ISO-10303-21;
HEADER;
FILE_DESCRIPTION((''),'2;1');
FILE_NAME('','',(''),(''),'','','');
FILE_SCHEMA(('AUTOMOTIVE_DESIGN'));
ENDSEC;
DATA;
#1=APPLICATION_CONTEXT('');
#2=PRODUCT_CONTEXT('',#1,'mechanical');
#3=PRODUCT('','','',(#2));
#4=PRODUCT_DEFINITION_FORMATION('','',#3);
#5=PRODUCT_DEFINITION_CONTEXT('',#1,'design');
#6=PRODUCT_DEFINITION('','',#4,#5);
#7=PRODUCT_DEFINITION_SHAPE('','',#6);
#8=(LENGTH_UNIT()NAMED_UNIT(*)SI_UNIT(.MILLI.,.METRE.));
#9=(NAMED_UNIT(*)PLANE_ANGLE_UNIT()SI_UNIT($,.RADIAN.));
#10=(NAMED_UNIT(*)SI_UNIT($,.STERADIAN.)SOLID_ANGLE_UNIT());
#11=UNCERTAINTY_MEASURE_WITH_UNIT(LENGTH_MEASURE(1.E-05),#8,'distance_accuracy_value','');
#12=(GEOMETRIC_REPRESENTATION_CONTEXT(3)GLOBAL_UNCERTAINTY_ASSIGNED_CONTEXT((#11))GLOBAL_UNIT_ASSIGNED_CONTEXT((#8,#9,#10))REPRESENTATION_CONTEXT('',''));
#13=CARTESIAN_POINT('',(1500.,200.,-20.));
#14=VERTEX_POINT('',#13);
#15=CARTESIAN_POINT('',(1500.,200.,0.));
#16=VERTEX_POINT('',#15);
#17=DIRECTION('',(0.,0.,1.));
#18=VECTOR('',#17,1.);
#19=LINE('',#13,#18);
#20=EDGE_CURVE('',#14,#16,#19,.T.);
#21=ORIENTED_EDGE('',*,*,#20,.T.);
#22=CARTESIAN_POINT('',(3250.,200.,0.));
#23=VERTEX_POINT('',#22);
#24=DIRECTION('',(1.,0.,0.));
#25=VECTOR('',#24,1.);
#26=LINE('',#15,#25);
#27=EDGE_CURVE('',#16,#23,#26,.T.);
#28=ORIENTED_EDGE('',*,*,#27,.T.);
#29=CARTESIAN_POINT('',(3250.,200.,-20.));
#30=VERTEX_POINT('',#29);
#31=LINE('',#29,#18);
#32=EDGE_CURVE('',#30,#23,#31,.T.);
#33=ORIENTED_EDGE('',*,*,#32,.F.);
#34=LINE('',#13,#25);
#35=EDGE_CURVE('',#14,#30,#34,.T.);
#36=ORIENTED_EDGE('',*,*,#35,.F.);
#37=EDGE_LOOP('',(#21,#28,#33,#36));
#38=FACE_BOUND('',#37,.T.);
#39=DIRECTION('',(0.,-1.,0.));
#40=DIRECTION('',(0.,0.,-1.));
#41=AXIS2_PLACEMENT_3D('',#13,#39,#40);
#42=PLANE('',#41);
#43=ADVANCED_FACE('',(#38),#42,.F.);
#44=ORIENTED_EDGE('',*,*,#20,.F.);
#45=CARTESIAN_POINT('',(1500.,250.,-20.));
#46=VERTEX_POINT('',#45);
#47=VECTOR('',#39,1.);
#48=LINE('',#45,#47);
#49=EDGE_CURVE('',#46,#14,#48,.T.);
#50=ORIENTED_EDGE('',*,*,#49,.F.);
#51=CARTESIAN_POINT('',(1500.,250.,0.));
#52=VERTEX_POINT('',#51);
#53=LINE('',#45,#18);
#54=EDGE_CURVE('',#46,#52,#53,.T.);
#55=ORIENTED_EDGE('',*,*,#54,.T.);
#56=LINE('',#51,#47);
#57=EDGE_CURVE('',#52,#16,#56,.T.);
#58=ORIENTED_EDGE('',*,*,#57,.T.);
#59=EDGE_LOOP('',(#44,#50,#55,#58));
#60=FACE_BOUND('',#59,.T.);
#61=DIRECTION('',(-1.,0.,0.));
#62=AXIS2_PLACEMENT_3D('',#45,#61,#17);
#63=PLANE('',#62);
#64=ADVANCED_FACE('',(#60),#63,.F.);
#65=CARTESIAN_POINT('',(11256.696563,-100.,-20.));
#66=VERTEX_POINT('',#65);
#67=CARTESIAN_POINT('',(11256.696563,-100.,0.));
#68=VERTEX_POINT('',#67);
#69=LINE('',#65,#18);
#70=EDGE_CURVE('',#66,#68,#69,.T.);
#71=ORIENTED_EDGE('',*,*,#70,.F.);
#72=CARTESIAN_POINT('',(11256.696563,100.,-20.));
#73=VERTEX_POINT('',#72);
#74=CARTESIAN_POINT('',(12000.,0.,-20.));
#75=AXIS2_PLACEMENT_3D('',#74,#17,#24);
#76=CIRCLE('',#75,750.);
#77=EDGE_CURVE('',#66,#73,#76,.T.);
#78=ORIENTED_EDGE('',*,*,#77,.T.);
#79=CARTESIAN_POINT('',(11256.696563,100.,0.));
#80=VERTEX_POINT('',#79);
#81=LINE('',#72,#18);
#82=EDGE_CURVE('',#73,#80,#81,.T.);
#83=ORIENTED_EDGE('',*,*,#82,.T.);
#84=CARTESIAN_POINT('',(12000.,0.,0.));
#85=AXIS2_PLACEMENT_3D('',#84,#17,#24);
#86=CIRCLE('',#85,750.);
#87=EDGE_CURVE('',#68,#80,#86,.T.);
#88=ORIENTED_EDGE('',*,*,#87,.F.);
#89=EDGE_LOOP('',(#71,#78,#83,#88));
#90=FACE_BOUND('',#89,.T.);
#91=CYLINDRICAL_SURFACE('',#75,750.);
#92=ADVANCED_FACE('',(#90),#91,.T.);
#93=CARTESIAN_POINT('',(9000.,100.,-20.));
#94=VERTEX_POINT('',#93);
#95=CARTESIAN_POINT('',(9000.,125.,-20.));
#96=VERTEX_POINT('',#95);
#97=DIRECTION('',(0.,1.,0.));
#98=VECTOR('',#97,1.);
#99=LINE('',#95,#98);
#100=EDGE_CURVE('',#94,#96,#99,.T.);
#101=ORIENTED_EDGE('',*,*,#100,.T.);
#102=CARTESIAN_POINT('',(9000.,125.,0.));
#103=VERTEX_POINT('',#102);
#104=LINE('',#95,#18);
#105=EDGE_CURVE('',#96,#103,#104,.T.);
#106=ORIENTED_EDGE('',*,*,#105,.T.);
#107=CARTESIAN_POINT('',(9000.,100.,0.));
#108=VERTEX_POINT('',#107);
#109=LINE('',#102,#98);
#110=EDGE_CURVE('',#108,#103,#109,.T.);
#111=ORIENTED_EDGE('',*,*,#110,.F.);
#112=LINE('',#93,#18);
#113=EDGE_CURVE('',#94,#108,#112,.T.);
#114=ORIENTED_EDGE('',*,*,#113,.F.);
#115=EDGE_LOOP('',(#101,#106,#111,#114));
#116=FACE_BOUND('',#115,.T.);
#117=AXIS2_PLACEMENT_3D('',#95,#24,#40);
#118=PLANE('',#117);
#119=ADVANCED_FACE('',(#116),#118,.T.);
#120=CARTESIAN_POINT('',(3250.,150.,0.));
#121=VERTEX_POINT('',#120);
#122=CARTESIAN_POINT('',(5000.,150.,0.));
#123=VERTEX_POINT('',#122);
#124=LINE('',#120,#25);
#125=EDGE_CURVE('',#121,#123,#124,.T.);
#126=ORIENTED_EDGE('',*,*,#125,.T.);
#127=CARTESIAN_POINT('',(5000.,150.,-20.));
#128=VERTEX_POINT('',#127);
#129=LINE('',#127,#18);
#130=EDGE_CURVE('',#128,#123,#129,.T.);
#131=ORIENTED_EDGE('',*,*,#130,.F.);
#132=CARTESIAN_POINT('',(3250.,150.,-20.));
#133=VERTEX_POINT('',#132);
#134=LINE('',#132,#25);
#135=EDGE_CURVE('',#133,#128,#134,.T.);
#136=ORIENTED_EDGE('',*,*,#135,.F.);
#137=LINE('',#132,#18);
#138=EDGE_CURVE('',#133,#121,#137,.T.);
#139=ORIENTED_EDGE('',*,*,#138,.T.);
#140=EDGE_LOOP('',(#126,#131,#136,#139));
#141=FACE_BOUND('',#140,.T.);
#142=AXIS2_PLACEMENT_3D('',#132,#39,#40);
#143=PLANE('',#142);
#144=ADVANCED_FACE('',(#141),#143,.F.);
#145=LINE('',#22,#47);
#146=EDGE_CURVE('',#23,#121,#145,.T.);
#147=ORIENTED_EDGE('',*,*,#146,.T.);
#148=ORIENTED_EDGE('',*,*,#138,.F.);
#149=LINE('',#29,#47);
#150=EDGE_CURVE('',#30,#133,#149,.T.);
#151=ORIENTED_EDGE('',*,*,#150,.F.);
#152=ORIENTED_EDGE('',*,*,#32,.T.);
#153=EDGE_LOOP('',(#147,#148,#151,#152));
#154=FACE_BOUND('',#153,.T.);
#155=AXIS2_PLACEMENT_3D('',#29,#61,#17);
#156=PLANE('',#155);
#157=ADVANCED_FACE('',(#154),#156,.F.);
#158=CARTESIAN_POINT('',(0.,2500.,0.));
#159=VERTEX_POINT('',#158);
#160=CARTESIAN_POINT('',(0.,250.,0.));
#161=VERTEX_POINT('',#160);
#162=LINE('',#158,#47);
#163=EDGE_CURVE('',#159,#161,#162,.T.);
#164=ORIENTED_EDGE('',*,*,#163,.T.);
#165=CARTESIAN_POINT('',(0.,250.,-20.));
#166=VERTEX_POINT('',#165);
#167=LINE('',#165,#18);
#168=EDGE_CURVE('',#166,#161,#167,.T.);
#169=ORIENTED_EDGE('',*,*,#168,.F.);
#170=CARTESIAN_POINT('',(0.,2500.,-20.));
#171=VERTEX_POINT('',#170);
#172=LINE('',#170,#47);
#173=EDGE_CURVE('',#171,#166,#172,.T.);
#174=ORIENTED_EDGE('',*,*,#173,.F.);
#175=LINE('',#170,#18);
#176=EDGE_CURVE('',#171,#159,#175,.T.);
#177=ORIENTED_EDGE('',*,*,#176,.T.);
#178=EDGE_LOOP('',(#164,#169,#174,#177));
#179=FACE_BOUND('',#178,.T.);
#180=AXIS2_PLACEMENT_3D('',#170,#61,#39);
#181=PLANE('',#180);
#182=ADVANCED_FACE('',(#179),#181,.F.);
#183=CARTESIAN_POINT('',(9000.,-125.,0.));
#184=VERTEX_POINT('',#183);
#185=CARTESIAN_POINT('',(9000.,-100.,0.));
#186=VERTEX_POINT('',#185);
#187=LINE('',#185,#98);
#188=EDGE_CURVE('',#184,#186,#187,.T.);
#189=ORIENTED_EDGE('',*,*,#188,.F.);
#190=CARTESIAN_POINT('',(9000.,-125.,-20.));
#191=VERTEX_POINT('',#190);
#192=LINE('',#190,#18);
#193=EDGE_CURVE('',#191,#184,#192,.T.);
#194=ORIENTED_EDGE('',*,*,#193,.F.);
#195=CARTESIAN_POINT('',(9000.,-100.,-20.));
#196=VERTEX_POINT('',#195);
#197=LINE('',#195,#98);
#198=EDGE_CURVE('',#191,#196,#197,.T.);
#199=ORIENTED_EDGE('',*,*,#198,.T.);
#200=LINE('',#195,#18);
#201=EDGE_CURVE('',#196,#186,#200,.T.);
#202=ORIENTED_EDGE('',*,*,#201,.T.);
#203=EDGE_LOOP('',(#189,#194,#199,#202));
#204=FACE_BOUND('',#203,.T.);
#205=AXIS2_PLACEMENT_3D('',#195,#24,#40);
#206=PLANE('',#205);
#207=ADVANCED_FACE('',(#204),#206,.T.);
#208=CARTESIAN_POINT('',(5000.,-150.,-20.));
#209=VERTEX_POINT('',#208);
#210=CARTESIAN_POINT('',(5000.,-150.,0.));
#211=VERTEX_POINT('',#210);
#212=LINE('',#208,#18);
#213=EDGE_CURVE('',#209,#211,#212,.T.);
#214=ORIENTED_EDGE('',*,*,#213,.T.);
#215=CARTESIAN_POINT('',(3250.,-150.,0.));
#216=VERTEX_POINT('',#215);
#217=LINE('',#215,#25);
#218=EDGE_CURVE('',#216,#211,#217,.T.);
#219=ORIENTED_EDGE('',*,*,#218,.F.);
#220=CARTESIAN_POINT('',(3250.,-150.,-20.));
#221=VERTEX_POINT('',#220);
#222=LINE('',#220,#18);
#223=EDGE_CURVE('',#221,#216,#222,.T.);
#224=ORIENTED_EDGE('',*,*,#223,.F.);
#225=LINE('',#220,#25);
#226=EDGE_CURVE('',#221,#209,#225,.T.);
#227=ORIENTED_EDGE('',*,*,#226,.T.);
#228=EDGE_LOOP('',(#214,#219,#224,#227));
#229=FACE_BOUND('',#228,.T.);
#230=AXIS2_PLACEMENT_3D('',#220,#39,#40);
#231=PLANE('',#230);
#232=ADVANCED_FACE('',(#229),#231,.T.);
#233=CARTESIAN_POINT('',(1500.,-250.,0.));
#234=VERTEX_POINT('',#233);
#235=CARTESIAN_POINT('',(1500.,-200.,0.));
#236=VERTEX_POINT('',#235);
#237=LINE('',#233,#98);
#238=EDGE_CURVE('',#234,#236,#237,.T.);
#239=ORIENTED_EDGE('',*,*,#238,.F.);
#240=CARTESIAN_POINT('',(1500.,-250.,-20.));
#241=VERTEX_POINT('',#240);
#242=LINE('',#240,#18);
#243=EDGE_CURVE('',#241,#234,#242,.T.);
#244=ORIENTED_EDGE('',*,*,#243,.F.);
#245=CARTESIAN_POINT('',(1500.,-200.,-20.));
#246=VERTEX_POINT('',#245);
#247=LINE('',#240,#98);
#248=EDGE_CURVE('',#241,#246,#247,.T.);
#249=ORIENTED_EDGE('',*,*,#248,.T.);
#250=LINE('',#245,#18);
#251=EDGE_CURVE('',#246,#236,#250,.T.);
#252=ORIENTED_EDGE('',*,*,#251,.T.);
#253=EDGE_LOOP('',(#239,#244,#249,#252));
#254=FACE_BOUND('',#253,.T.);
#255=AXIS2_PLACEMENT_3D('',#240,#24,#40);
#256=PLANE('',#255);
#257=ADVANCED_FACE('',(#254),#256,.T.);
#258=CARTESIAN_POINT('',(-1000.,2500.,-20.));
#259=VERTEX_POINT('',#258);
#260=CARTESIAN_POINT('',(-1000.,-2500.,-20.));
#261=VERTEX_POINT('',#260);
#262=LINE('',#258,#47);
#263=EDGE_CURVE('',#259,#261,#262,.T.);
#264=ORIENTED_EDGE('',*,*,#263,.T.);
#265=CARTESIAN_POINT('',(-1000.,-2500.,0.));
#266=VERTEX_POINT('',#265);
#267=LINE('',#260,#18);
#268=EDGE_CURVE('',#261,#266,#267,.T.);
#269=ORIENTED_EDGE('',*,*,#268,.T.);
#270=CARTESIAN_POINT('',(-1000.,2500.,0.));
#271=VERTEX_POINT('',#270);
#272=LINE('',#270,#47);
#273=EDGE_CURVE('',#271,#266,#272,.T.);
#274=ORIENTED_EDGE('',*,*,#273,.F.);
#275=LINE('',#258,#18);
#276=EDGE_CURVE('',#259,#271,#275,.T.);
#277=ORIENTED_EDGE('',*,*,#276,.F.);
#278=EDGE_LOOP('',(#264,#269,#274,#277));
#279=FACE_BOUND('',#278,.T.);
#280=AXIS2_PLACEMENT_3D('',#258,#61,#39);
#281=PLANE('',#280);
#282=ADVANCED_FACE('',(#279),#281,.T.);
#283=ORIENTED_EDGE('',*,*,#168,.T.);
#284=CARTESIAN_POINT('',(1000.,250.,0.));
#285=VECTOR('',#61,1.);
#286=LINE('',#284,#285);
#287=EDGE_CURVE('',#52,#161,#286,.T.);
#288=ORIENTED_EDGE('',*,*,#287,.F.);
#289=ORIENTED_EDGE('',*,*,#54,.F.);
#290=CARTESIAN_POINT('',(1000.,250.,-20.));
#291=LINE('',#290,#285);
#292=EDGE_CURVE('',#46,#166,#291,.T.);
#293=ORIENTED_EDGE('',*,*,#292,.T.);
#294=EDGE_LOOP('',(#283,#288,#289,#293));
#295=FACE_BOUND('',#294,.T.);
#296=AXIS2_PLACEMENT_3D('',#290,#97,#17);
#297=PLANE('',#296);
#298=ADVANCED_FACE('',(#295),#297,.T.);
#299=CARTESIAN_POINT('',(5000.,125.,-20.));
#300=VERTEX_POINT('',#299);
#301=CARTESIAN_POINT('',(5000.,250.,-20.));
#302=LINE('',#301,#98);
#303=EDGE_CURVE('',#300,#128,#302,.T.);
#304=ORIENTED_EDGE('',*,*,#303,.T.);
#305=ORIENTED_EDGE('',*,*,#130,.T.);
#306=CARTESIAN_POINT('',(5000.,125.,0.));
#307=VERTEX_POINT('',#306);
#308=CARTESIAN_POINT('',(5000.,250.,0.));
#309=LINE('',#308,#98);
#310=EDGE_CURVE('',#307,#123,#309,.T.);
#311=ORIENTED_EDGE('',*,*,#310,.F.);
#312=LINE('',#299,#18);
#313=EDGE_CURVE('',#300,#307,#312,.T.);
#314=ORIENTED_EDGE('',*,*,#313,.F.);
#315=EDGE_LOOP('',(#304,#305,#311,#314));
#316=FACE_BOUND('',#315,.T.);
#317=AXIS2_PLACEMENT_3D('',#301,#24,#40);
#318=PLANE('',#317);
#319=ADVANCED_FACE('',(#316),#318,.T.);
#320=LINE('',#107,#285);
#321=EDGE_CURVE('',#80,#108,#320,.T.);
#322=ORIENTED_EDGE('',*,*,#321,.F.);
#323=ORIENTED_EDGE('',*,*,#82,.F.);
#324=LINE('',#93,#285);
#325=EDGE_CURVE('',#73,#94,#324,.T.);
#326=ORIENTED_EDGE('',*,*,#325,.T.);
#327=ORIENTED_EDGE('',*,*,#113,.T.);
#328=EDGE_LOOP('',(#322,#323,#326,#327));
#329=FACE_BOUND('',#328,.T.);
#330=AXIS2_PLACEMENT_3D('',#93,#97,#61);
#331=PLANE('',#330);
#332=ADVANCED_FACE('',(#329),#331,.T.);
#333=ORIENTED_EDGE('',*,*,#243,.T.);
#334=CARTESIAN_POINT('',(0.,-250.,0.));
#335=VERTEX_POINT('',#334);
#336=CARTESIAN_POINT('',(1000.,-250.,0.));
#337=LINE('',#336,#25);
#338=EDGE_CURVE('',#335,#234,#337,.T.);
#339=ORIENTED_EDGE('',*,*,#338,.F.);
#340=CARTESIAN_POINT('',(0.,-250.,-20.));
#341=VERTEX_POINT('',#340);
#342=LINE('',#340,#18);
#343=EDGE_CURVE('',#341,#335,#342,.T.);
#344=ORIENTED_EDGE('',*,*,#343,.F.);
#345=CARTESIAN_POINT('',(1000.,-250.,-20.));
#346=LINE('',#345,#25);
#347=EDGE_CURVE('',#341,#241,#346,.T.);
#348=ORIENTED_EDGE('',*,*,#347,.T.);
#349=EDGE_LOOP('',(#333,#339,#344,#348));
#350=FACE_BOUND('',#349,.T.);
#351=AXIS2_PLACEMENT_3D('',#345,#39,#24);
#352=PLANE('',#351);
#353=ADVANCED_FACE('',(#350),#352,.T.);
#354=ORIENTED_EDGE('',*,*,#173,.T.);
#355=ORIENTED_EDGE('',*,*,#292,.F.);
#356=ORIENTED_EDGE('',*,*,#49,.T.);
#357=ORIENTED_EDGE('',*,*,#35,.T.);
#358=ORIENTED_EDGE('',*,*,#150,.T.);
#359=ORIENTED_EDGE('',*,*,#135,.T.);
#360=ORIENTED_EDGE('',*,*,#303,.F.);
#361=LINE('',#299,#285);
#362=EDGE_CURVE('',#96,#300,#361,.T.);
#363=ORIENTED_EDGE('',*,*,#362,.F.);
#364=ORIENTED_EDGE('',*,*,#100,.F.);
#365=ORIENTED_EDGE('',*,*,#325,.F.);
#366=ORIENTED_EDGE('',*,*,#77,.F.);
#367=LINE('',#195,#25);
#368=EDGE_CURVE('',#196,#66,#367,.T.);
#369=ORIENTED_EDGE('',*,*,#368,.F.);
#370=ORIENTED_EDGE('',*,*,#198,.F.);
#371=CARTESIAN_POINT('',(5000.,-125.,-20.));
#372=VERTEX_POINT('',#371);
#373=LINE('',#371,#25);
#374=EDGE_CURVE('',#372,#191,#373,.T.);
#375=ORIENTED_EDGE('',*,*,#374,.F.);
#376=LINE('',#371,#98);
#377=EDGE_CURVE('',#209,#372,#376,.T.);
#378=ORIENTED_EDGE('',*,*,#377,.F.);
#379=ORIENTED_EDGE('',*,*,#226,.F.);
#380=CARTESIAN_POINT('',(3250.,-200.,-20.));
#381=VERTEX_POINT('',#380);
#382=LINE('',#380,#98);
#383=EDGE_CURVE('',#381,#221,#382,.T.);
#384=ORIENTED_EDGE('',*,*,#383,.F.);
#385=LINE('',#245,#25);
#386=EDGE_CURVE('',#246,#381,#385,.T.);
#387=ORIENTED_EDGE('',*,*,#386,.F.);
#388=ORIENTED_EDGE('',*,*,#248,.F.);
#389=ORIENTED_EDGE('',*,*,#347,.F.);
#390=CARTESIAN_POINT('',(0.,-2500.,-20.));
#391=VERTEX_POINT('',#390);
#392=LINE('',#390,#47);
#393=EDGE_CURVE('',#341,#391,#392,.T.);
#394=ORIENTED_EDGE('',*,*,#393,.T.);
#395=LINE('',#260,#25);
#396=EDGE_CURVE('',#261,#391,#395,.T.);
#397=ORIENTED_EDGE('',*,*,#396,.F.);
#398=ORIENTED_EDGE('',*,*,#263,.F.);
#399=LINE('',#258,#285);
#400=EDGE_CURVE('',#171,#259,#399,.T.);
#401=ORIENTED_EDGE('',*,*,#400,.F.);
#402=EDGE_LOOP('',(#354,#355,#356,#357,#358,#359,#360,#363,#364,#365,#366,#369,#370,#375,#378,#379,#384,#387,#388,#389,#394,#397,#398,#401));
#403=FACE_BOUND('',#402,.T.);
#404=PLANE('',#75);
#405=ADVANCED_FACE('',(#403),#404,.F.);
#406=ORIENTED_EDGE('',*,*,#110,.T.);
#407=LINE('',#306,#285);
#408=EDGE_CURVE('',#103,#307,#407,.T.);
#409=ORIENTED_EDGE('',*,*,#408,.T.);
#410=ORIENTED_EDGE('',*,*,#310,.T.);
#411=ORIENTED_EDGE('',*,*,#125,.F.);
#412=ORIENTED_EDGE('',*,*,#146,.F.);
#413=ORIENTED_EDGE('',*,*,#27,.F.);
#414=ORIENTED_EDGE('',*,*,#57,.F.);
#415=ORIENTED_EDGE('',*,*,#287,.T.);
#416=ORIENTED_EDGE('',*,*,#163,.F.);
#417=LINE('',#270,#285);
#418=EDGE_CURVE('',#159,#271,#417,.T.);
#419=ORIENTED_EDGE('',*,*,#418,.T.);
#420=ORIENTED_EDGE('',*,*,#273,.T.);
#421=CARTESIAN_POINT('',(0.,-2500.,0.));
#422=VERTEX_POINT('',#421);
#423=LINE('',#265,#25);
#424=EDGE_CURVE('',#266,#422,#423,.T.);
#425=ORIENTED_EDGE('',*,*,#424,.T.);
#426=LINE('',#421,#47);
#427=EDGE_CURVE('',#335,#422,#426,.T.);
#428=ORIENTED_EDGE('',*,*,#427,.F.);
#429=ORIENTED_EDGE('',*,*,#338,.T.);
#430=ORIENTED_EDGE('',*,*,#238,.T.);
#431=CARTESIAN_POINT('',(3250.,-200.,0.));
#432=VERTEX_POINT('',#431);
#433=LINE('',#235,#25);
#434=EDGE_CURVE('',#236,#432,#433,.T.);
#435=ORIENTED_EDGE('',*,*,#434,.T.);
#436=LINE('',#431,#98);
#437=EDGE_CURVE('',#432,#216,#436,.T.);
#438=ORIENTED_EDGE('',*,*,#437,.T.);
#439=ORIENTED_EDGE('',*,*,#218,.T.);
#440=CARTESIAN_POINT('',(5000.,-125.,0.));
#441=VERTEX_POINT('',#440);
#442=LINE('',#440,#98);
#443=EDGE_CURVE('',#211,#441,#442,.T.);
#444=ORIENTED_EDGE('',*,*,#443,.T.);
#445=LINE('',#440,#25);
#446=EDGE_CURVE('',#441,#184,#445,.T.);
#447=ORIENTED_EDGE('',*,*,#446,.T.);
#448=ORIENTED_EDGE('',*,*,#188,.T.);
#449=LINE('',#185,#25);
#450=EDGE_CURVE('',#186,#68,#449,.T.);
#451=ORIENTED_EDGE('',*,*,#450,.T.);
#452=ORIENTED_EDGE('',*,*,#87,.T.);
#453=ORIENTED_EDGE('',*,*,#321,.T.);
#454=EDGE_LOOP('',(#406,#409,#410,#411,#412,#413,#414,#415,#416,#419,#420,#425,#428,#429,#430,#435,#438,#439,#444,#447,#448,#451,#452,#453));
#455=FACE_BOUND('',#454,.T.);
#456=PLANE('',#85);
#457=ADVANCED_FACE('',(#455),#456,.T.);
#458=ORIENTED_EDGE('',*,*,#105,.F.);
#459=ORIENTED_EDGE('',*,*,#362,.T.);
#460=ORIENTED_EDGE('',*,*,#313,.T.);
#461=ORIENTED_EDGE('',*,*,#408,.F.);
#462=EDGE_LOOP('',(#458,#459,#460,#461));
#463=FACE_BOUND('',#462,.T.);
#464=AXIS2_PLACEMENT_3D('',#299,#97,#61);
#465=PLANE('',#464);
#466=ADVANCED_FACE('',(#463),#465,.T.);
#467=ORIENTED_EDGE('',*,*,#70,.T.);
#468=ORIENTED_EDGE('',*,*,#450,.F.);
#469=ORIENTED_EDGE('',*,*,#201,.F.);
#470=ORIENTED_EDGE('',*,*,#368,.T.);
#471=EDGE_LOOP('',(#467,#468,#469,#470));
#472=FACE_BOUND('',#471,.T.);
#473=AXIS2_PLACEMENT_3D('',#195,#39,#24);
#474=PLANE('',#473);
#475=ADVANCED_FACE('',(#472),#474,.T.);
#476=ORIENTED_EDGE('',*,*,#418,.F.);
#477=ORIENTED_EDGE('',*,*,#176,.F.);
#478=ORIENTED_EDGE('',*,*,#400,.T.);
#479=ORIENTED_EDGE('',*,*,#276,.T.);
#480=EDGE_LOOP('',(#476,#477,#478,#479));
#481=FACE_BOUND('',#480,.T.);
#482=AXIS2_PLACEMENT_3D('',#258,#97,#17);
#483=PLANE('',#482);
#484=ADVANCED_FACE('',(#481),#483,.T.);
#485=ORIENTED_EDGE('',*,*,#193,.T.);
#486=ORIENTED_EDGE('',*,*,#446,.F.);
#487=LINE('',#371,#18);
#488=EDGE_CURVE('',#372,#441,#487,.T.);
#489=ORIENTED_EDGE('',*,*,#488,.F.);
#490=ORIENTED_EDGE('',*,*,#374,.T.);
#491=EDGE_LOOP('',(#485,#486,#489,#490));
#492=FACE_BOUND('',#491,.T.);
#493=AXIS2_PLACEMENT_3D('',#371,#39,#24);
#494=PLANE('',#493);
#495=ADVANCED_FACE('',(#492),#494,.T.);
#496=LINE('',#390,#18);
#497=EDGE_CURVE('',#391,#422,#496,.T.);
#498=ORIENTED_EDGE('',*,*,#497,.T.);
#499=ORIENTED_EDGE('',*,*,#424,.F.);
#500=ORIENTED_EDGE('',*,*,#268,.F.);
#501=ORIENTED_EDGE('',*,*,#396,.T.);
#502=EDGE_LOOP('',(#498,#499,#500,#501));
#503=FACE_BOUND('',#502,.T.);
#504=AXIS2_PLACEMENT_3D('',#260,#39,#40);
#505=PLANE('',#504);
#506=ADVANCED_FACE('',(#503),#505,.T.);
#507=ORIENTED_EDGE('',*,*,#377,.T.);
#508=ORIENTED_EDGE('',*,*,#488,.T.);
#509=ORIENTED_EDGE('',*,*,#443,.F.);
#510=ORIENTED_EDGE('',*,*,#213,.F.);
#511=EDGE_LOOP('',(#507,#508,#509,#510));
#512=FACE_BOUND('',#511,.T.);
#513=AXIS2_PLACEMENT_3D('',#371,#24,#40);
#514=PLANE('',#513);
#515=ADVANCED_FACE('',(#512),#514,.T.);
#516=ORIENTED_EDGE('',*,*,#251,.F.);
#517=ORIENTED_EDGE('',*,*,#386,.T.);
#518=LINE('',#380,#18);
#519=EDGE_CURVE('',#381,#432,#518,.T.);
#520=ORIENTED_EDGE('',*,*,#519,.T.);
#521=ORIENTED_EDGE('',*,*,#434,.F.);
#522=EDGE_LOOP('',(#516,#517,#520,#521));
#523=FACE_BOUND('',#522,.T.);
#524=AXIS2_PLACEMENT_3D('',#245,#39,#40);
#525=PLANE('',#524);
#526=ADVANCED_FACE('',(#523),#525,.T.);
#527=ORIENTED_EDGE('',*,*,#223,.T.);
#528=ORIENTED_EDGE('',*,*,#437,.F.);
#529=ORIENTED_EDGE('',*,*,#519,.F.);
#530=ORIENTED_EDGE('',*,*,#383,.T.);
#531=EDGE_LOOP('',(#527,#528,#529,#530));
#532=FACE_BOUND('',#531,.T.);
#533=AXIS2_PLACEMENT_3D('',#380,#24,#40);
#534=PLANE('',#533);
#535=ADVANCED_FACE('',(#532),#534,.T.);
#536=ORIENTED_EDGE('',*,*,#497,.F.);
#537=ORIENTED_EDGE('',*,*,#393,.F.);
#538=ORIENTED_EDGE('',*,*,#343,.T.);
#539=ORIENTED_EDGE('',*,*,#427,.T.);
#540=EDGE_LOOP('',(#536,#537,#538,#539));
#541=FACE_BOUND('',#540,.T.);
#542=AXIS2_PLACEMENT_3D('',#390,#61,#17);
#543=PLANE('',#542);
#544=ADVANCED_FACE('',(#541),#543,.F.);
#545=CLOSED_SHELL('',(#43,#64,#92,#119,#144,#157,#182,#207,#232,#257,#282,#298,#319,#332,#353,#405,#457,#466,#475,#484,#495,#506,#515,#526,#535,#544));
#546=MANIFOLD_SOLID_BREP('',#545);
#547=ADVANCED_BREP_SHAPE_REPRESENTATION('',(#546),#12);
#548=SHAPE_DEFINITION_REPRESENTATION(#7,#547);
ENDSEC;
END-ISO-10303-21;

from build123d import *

# Parameters (mm, degrees)
BOSS_EXTRUDE1_DEPTH = 20
SKETCH2_W           = 1000
SKETCH2_H           = 2250
CUT_EXTRUDE1_DEPTH  = 12993.801853334
CUT_EXTRUDE4_DEPTH  = 12993.801853334


with BuildPart() as part:
    # Sketch1 → Boss-Extrude1 (new body)
    with BuildSketch(Plane.XY):
        with BuildLine():
            Line((1000, 250), (5000, 250))
            Line((5000, 250), (5000, 125))
            Line((5000, 125), (9000, 125))
            Line((9000, 125), (9000, 100))
            Line((9000, 100), (11256.696562634, 100))
            ThreePointArc((11256.696562634, 100), (12750, 0), (11256.696562634, -100))
            Line((11256.696562634, -100), (9000, -100))
            Line((9000, -100), (9000, -125))
            Line((9000, -125), (5000, -125))
            Line((5000, -125), (5000, -250))
            Line((5000, -250), (1000, -250))
            Line((1000, -250), (1000, -2500))
            Line((1000, -2500), (-1000, -2500))
            Line((-1000, -2500), (-1000, 2500))
            Line((-1000, 2500), (1000, 2500))
            Line((1000, 2500), (1000, 250))
        make_face()
    extrude(amount=-BOSS_EXTRUDE1_DEPTH)

    # Sketch2 → Cut-Extrude1 (cut, through all)
    with BuildSketch(Plane.XY):
        with Locations((500, 1375)):
            Rectangle(SKETCH2_W, SKETCH2_H)
        with Locations((500, -1375)):
            Rectangle(SKETCH2_W, SKETCH2_H)
    extrude(amount=-CUT_EXTRUDE1_DEPTH, mode=Mode.SUBTRACT)

    # Sketch3 → Cut-Extrude4 (cut, through all)
    with BuildSketch(Plane.XY):
        Polygon((1500, -250), (3250, -250), (5000, -250), (5000, -150), (3250, -150), (3250, -200), (1500, -200), align=None)
    cut_extrude4 = extrude(amount=-CUT_EXTRUDE4_DEPTH, mode=Mode.SUBTRACT)

    # Mirror1: Cut-Extrude4 across plane
    add(cut_extrude4.mirror(Plane.ZX), mode=Mode.SUBTRACT)


solid = part.part
